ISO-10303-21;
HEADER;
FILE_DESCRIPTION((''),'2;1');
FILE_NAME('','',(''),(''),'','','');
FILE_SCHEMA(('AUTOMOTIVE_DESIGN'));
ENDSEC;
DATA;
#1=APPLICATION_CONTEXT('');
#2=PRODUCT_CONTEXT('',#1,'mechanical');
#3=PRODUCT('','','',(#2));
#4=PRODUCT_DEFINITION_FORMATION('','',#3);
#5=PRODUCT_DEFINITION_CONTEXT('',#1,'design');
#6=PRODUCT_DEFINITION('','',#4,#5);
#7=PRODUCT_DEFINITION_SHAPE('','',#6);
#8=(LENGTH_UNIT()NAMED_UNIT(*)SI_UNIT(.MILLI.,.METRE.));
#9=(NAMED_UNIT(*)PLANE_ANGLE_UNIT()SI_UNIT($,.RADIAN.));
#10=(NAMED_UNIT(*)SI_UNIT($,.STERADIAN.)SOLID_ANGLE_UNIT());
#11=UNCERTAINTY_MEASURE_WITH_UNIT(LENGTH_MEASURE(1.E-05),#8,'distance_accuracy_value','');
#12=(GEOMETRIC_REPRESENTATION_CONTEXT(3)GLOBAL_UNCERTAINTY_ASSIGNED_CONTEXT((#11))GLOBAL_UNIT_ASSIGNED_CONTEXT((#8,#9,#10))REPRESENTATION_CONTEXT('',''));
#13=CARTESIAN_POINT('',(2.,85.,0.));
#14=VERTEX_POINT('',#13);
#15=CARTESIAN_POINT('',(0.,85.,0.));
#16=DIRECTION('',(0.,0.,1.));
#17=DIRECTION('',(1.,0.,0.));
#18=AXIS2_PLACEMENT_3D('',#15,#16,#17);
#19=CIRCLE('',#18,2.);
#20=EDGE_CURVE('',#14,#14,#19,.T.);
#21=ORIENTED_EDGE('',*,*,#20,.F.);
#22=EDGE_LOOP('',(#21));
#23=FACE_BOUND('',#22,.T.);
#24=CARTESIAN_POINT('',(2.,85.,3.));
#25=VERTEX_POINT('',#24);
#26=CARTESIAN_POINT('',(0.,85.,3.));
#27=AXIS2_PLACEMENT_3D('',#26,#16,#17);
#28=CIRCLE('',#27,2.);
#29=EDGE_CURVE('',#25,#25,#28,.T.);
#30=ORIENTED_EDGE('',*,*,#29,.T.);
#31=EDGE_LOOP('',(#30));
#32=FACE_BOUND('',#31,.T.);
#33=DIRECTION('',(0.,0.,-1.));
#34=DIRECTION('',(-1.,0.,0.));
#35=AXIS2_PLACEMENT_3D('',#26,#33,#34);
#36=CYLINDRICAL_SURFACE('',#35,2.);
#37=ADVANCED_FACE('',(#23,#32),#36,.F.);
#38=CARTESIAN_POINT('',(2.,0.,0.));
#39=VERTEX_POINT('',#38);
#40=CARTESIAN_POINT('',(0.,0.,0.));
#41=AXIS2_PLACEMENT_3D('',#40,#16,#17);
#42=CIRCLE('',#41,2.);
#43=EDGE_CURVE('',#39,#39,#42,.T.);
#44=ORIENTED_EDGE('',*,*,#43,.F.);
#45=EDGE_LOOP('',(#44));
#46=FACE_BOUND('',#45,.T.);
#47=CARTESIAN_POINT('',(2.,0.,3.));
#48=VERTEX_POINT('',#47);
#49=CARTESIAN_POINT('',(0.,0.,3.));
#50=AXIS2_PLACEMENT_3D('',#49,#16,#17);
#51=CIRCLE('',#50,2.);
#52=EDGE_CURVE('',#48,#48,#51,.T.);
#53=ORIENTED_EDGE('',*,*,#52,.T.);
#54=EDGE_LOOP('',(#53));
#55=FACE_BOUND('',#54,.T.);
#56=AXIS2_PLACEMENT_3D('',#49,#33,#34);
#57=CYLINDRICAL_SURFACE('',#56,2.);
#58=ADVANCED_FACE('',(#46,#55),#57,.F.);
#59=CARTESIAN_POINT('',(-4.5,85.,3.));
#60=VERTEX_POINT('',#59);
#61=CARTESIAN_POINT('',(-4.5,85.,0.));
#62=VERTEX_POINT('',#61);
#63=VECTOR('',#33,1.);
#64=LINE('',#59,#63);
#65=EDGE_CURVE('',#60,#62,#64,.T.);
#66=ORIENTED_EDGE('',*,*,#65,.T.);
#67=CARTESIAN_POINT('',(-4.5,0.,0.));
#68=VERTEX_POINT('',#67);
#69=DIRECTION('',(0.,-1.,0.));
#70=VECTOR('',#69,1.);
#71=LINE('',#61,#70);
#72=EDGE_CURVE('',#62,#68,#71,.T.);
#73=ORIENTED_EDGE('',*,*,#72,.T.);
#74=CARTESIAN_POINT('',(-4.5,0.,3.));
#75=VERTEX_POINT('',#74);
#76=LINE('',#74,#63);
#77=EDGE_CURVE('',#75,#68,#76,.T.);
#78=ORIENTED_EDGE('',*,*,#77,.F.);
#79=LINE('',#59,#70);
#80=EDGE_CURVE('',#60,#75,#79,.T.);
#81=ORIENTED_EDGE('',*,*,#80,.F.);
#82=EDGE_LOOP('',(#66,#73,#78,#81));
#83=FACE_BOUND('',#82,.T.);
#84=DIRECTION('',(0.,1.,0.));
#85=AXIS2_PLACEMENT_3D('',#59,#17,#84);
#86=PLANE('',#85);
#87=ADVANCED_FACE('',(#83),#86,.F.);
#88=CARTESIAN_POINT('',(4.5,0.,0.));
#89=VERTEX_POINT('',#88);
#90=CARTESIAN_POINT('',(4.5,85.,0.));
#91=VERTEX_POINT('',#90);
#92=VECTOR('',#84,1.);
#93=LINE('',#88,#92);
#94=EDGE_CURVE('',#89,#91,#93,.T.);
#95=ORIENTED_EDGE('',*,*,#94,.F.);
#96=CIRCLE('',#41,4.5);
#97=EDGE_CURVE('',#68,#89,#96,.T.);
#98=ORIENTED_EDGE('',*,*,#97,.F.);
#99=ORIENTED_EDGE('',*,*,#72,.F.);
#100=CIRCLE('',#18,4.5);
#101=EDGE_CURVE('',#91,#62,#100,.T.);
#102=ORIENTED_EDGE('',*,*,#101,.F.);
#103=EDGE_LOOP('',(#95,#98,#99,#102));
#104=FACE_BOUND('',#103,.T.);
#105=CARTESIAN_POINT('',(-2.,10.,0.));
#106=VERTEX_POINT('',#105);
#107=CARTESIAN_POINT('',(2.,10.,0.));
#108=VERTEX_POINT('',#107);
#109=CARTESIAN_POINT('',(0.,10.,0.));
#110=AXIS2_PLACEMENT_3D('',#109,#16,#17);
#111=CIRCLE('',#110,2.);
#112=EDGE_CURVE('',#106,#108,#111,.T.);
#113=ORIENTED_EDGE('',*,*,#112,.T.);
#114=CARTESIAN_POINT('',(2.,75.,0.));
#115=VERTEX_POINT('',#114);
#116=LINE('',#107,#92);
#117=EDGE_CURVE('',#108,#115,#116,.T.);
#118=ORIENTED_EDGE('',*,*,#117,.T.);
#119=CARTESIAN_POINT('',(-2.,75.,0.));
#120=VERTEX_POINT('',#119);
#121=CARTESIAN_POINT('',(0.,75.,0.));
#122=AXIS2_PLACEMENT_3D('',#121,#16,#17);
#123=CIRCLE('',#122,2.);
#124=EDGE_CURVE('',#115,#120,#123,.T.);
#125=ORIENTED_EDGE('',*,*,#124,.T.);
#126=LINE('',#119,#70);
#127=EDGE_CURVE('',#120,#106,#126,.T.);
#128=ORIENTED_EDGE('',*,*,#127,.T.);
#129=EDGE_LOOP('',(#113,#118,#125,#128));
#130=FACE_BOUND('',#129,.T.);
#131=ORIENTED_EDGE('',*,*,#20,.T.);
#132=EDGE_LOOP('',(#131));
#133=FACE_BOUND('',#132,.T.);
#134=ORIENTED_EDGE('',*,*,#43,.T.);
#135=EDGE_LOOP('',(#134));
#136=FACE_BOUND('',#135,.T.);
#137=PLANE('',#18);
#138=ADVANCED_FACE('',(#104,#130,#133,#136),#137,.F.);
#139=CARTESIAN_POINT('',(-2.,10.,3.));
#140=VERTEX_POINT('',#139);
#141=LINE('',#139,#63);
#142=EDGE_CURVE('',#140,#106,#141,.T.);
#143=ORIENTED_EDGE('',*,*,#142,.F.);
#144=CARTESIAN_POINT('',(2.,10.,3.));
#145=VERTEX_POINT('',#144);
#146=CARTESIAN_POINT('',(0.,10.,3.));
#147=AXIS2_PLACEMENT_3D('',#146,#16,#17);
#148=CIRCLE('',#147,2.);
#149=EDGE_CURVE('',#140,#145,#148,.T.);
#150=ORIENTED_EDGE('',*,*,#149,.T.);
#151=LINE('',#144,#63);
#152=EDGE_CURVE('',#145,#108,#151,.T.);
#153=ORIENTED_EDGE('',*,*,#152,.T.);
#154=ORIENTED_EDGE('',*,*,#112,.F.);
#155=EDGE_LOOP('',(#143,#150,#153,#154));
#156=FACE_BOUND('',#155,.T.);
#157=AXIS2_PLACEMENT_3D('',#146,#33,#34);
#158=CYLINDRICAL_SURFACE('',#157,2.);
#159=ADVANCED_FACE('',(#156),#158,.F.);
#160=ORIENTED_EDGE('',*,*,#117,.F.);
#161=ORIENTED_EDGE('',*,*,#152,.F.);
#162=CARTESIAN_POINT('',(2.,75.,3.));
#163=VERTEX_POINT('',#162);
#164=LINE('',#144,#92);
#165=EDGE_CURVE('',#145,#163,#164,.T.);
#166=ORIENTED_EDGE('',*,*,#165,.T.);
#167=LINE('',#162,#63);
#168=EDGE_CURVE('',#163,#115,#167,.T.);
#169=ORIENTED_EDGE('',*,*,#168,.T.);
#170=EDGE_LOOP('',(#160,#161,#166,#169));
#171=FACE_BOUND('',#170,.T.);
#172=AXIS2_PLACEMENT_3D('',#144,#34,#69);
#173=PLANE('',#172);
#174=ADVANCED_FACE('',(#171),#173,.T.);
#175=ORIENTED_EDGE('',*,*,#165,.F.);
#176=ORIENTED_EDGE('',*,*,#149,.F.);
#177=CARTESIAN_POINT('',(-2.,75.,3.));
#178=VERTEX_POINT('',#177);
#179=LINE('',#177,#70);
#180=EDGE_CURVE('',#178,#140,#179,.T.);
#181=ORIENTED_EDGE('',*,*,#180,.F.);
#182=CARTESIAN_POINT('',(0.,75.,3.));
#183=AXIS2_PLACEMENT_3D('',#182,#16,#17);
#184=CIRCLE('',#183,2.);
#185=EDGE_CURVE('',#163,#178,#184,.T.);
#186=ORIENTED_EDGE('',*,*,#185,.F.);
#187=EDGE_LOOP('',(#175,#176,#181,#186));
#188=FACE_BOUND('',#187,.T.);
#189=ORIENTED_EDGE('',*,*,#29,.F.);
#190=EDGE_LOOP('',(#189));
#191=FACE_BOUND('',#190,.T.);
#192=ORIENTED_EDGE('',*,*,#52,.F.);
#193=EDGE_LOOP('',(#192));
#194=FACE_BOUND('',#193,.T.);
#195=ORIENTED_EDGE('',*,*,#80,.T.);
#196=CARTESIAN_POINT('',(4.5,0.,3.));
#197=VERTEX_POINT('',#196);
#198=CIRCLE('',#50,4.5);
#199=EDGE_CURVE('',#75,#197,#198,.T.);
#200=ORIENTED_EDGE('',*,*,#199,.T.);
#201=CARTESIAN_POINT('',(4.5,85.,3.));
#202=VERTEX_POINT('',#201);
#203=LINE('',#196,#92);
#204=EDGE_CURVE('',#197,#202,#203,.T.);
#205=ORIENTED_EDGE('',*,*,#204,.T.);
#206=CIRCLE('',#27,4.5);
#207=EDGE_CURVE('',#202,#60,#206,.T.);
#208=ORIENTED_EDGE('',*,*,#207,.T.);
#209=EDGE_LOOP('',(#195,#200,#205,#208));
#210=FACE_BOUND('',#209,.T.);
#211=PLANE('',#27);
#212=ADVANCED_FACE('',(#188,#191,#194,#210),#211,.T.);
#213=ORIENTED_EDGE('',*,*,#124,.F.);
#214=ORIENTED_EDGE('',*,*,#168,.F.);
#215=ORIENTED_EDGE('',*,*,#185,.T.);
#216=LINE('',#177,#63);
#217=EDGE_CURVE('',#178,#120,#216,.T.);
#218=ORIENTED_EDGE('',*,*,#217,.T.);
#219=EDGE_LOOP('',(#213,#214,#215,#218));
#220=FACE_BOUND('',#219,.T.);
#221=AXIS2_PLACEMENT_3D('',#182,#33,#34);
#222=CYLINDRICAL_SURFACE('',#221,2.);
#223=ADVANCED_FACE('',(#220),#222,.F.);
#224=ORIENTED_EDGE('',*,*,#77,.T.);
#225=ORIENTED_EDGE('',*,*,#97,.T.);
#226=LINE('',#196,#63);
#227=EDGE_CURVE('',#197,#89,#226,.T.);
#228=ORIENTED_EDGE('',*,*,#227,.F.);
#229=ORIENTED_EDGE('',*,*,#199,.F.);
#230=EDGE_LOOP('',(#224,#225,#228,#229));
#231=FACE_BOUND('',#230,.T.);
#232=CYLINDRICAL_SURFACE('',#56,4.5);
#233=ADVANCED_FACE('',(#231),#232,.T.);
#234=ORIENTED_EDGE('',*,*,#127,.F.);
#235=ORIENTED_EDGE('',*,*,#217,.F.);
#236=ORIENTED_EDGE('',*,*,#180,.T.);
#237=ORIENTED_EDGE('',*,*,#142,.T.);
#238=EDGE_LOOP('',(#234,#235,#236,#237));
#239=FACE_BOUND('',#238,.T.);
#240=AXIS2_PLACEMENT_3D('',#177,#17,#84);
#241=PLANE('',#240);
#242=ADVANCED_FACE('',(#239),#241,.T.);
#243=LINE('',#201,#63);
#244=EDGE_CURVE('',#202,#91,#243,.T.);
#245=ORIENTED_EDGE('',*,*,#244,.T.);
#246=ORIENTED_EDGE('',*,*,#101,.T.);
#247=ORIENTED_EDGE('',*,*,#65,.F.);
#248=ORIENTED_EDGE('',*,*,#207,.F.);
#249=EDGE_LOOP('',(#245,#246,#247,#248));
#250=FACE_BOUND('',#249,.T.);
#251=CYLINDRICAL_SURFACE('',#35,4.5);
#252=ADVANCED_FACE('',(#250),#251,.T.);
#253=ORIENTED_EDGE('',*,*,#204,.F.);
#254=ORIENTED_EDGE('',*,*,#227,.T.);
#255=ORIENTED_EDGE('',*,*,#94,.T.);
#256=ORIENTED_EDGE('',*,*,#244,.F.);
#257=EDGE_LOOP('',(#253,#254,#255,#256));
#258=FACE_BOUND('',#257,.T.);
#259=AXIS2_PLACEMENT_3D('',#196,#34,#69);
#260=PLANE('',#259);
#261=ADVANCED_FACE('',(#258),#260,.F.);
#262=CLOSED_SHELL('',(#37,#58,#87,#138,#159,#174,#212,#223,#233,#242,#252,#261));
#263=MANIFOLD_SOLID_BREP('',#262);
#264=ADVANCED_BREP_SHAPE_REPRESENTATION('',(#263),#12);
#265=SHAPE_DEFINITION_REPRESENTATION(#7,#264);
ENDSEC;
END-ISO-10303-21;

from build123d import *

# Parameters (mm, degrees)
CROQUIS1_R              = 2
SALIENTE_EXTRUIR1_DEPTH = 3


with BuildPart() as part:
    # Croquis1 → Saliente-Extruir1 (new body)
    with BuildSketch(Plane.XY):
        with BuildLine():
            Line((-4.5, 85), (-4.5, 0))
            ThreePointArc((-4.5, 0), (0, -4.5), (4.5, 0))
            Line((4.5, 0), (4.5, 85))
            ThreePointArc((4.5, 85), (0, 89.5), (-4.5, 85))
        make_face()
        with Locations((0, 85)):
            Circle(CROQUIS1_R, mode=Mode.SUBTRACT)
        Circle(CROQUIS1_R, mode=Mode.SUBTRACT)
        with BuildLine():
            Line((-2, 75), (-2, 10))
            ThreePointArc((-2, 10), (0, 8), (2, 10))
            Line((2, 10), (2, 75))
            ThreePointArc((2, 75), (0, 77), (-2, 75))
        make_face(mode=Mode.SUBTRACT)
    extrude(amount=SALIENTE_EXTRUIR1_DEPTH)


solid = part.part
